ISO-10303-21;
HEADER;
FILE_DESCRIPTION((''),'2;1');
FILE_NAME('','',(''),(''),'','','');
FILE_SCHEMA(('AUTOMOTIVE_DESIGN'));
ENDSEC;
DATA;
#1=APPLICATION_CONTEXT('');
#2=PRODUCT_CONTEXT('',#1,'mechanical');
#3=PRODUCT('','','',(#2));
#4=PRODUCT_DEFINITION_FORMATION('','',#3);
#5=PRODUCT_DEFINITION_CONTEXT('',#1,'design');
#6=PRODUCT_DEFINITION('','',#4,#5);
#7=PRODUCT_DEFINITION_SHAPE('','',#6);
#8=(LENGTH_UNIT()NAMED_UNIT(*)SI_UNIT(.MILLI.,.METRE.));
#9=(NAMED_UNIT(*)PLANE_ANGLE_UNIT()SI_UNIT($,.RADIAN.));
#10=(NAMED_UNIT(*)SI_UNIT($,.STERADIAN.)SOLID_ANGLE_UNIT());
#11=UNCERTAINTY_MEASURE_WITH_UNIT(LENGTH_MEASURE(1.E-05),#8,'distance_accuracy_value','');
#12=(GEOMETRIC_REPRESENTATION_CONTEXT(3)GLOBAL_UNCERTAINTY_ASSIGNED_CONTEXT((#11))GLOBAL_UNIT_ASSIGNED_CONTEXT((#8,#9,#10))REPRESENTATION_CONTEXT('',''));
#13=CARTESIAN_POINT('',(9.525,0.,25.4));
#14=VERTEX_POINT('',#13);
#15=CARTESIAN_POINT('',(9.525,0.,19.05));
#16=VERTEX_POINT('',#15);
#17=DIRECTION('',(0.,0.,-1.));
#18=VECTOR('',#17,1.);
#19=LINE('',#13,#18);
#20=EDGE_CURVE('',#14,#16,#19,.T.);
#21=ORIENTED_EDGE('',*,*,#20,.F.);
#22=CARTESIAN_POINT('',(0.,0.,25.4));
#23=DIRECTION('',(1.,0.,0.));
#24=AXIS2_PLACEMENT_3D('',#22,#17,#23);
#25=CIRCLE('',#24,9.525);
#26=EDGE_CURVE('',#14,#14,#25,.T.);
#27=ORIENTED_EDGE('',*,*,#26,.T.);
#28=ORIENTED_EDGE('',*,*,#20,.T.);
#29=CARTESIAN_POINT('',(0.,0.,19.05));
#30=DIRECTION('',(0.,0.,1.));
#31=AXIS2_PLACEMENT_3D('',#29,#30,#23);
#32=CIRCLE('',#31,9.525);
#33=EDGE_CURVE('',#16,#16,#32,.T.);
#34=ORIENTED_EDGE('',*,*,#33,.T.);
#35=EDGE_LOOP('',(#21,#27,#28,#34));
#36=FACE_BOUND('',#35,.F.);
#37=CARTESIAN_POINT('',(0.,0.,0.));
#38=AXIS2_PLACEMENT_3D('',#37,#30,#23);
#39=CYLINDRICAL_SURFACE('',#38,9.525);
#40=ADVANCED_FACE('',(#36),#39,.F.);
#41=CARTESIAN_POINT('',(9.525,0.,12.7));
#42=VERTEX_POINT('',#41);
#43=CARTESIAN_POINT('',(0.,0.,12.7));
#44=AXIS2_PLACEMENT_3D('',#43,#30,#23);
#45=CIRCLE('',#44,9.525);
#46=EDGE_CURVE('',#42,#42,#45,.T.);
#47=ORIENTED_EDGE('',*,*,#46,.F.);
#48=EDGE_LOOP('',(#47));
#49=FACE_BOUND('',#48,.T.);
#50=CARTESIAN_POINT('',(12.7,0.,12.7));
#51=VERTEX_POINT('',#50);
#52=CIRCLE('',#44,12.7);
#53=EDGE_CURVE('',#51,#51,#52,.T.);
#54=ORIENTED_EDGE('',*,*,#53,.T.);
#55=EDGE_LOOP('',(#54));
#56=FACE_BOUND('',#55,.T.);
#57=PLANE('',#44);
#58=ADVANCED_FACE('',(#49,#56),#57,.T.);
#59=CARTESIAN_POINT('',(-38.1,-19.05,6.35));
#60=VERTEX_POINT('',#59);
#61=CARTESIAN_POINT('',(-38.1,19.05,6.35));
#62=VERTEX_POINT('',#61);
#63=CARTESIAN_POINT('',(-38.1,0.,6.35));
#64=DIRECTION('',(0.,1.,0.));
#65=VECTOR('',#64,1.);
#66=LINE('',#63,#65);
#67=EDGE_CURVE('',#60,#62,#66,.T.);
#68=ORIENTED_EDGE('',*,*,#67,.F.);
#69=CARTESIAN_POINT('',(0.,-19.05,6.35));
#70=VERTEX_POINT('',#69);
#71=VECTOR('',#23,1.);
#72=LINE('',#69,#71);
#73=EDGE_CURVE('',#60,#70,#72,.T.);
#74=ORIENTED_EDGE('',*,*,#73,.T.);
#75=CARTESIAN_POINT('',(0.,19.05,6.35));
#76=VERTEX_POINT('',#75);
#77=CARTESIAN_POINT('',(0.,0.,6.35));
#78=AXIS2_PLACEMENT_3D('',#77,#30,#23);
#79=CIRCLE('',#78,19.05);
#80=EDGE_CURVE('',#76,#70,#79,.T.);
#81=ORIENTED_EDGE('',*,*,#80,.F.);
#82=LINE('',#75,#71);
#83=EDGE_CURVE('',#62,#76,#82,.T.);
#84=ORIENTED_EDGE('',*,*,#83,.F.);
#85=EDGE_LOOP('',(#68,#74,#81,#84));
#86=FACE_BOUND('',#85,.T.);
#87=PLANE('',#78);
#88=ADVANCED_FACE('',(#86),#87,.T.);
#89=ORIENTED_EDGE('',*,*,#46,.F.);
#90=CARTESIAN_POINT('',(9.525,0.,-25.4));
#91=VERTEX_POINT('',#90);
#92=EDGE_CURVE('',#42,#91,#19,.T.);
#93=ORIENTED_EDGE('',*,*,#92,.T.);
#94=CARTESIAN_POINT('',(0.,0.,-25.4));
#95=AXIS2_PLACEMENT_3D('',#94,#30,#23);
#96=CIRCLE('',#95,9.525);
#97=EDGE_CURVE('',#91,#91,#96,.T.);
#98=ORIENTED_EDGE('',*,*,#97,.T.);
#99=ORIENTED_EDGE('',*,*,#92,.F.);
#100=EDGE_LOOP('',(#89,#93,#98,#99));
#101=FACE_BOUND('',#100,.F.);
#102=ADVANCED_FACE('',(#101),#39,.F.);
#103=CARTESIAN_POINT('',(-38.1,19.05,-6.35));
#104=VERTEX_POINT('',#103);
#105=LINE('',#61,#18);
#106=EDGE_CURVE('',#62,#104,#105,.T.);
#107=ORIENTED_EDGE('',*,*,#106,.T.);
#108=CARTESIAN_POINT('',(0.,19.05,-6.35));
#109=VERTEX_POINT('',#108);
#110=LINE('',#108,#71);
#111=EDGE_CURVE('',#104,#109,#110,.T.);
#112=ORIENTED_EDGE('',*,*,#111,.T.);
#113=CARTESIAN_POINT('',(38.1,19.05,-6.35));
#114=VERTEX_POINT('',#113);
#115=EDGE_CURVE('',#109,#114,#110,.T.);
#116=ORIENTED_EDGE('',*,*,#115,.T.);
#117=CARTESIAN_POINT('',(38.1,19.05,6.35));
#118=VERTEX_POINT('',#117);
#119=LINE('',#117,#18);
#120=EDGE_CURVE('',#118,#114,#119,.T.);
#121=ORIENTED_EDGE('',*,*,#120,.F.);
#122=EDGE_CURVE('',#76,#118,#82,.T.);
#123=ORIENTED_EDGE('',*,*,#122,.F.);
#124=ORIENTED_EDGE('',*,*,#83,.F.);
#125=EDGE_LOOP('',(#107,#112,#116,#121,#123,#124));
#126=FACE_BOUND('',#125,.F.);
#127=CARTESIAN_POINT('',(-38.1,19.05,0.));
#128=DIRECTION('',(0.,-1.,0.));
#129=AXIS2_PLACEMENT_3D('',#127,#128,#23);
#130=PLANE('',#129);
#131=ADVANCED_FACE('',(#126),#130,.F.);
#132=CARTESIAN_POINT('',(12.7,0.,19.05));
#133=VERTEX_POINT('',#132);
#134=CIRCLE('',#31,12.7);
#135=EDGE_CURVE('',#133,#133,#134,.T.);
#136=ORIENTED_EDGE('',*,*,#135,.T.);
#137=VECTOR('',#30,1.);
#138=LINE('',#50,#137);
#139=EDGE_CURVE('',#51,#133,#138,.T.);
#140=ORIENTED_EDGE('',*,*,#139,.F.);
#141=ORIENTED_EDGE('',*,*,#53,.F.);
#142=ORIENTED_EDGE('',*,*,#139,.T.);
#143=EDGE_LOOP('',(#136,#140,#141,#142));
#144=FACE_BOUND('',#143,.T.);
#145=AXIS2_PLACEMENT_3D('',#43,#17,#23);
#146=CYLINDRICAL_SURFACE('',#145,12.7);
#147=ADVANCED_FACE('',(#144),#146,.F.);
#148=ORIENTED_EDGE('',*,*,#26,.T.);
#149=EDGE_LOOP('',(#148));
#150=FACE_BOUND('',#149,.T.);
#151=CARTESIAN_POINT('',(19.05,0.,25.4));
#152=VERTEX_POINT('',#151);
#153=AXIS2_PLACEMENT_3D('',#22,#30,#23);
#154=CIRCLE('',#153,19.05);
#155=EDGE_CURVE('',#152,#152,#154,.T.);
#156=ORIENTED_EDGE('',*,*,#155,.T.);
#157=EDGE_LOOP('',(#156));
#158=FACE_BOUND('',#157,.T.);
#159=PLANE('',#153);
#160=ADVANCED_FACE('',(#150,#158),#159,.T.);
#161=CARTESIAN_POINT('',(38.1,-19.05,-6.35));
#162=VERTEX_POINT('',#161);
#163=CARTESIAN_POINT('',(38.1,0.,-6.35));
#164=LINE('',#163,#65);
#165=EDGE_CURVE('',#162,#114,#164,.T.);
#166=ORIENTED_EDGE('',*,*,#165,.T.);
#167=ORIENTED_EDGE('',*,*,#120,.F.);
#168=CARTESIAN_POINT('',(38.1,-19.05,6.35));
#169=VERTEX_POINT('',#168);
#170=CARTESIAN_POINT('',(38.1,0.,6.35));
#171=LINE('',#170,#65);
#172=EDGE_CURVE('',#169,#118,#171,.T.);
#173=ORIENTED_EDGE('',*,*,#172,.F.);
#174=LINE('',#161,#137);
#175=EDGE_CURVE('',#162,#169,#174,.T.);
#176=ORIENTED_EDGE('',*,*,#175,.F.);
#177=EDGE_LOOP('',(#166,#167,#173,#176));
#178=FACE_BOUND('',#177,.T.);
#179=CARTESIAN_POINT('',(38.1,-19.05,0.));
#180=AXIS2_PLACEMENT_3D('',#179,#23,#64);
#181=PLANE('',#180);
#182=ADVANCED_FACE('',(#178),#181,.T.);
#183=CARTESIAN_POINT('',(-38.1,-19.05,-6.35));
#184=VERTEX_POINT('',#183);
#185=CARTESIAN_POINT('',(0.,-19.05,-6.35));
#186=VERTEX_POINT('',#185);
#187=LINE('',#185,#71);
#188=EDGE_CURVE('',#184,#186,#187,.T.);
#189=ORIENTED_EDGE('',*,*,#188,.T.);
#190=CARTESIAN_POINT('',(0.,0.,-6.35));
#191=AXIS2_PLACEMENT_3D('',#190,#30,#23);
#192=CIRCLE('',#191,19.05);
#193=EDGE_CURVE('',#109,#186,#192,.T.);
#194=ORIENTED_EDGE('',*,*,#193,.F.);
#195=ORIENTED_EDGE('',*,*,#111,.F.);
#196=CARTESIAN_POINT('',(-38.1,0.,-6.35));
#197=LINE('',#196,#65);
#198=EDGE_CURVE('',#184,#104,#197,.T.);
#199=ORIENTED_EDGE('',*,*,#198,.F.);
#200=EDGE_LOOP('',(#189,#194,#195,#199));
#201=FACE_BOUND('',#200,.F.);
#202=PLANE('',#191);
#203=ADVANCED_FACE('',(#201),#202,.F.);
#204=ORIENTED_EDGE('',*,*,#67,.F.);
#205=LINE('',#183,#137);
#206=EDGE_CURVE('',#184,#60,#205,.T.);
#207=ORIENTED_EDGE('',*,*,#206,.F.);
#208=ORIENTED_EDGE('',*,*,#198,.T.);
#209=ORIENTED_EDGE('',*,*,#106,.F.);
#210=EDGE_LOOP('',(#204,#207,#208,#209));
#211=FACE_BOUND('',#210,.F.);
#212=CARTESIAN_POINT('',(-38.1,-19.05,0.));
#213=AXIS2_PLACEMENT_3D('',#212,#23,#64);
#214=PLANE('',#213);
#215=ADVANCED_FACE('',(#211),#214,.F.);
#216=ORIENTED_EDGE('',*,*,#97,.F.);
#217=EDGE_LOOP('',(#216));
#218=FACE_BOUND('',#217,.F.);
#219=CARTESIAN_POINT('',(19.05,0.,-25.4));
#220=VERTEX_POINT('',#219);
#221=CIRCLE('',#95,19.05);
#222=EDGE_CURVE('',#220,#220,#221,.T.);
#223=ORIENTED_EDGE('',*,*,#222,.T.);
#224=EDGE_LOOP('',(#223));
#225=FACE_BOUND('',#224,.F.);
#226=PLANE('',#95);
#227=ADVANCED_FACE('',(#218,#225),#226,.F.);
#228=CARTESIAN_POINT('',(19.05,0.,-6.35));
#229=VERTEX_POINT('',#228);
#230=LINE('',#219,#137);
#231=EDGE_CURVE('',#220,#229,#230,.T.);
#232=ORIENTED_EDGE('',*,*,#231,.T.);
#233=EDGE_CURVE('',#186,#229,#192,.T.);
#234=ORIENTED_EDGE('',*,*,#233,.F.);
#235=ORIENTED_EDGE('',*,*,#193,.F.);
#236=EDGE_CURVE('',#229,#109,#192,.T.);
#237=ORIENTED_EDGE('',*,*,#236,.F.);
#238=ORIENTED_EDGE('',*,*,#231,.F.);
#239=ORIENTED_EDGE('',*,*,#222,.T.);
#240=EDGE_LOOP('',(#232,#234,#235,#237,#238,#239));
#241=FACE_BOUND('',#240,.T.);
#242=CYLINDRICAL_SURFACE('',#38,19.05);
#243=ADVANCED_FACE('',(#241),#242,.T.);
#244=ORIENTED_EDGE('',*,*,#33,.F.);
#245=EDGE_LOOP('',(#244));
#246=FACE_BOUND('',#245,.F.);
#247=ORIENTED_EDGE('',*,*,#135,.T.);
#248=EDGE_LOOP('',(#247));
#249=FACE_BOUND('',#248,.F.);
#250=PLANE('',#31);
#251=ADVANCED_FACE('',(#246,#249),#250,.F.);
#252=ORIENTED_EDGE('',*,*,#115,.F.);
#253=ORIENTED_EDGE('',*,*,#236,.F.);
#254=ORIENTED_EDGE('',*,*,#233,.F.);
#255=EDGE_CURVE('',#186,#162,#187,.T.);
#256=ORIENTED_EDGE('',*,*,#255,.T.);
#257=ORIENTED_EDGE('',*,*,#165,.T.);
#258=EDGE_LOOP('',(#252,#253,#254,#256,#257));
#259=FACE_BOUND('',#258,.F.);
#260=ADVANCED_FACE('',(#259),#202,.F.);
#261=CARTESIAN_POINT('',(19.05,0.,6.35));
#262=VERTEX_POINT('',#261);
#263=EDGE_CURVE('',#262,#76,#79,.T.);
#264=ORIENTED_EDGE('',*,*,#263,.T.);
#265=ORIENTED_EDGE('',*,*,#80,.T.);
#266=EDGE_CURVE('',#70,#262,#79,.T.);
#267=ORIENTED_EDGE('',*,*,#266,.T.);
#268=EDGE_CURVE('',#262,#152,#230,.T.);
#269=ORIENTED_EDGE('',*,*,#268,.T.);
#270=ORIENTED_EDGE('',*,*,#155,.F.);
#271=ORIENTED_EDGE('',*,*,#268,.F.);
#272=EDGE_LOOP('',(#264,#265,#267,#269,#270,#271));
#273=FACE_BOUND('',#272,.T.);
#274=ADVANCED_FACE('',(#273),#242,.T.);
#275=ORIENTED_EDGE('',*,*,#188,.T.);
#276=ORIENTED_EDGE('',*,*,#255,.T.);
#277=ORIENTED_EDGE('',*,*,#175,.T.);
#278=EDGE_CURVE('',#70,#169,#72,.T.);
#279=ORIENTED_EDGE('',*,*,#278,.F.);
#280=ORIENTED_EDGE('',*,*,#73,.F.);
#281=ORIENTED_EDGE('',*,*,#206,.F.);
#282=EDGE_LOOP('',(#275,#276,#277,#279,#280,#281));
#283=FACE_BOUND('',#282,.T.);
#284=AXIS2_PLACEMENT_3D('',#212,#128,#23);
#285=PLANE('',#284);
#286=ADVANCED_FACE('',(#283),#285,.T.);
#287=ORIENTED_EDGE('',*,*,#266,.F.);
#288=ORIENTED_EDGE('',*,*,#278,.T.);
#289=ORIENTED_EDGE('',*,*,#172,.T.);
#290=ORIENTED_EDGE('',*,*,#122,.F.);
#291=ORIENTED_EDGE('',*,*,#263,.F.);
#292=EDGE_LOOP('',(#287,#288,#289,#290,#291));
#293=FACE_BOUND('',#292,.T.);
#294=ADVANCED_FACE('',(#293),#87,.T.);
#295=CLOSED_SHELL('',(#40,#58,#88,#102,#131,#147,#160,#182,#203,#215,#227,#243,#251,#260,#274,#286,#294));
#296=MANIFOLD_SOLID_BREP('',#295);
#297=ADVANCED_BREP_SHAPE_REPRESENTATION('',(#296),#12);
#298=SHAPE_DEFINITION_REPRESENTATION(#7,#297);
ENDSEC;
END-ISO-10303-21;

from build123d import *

# Parameters (mm, degrees)
F0_W          = 76.2
F0_H          = 38.1
F1_DEPTH      = 6.35
F2_R          = 19.05
F3_DEPTH      = 25.4
F4_R          = 9.525
F5_DEPTH      = 25.401
F5_DEPTH_BACK = 25.401
F7_START      = 12.7
F6_R          = 12.7
F7_DEPTH      = 6.35


with BuildPart() as f1:
    # F0 (on Top) → F1 (new body, symmetric)
    with BuildSketch(Plane.XY):
        Rectangle(F0_W, F0_H)
    extrude(amount=F1_DEPTH, both=True)

    # F2 (on Top) → F3 (join, symmetric)
    with BuildSketch(Plane.XY):
        Circle(F2_R)
    extrude(amount=F3_DEPTH, both=True)

    # F4 (on Top) → F5 (cut, two sides)
    with BuildSketch(Plane.XY) as f5_sk:
        Circle(F4_R)
    extrude(amount=-F5_DEPTH, mode=Mode.SUBTRACT)
    extrude(f5_sk.sketch, amount=F5_DEPTH_BACK, mode=Mode.SUBTRACT)

    # F6 (on Top) → F7 (cut)
    with BuildSketch(Plane.XY.offset(F7_START)):
        Circle(F6_R)
    extrude(amount=F7_DEPTH, mode=Mode.SUBTRACT)


solid = f1.part
